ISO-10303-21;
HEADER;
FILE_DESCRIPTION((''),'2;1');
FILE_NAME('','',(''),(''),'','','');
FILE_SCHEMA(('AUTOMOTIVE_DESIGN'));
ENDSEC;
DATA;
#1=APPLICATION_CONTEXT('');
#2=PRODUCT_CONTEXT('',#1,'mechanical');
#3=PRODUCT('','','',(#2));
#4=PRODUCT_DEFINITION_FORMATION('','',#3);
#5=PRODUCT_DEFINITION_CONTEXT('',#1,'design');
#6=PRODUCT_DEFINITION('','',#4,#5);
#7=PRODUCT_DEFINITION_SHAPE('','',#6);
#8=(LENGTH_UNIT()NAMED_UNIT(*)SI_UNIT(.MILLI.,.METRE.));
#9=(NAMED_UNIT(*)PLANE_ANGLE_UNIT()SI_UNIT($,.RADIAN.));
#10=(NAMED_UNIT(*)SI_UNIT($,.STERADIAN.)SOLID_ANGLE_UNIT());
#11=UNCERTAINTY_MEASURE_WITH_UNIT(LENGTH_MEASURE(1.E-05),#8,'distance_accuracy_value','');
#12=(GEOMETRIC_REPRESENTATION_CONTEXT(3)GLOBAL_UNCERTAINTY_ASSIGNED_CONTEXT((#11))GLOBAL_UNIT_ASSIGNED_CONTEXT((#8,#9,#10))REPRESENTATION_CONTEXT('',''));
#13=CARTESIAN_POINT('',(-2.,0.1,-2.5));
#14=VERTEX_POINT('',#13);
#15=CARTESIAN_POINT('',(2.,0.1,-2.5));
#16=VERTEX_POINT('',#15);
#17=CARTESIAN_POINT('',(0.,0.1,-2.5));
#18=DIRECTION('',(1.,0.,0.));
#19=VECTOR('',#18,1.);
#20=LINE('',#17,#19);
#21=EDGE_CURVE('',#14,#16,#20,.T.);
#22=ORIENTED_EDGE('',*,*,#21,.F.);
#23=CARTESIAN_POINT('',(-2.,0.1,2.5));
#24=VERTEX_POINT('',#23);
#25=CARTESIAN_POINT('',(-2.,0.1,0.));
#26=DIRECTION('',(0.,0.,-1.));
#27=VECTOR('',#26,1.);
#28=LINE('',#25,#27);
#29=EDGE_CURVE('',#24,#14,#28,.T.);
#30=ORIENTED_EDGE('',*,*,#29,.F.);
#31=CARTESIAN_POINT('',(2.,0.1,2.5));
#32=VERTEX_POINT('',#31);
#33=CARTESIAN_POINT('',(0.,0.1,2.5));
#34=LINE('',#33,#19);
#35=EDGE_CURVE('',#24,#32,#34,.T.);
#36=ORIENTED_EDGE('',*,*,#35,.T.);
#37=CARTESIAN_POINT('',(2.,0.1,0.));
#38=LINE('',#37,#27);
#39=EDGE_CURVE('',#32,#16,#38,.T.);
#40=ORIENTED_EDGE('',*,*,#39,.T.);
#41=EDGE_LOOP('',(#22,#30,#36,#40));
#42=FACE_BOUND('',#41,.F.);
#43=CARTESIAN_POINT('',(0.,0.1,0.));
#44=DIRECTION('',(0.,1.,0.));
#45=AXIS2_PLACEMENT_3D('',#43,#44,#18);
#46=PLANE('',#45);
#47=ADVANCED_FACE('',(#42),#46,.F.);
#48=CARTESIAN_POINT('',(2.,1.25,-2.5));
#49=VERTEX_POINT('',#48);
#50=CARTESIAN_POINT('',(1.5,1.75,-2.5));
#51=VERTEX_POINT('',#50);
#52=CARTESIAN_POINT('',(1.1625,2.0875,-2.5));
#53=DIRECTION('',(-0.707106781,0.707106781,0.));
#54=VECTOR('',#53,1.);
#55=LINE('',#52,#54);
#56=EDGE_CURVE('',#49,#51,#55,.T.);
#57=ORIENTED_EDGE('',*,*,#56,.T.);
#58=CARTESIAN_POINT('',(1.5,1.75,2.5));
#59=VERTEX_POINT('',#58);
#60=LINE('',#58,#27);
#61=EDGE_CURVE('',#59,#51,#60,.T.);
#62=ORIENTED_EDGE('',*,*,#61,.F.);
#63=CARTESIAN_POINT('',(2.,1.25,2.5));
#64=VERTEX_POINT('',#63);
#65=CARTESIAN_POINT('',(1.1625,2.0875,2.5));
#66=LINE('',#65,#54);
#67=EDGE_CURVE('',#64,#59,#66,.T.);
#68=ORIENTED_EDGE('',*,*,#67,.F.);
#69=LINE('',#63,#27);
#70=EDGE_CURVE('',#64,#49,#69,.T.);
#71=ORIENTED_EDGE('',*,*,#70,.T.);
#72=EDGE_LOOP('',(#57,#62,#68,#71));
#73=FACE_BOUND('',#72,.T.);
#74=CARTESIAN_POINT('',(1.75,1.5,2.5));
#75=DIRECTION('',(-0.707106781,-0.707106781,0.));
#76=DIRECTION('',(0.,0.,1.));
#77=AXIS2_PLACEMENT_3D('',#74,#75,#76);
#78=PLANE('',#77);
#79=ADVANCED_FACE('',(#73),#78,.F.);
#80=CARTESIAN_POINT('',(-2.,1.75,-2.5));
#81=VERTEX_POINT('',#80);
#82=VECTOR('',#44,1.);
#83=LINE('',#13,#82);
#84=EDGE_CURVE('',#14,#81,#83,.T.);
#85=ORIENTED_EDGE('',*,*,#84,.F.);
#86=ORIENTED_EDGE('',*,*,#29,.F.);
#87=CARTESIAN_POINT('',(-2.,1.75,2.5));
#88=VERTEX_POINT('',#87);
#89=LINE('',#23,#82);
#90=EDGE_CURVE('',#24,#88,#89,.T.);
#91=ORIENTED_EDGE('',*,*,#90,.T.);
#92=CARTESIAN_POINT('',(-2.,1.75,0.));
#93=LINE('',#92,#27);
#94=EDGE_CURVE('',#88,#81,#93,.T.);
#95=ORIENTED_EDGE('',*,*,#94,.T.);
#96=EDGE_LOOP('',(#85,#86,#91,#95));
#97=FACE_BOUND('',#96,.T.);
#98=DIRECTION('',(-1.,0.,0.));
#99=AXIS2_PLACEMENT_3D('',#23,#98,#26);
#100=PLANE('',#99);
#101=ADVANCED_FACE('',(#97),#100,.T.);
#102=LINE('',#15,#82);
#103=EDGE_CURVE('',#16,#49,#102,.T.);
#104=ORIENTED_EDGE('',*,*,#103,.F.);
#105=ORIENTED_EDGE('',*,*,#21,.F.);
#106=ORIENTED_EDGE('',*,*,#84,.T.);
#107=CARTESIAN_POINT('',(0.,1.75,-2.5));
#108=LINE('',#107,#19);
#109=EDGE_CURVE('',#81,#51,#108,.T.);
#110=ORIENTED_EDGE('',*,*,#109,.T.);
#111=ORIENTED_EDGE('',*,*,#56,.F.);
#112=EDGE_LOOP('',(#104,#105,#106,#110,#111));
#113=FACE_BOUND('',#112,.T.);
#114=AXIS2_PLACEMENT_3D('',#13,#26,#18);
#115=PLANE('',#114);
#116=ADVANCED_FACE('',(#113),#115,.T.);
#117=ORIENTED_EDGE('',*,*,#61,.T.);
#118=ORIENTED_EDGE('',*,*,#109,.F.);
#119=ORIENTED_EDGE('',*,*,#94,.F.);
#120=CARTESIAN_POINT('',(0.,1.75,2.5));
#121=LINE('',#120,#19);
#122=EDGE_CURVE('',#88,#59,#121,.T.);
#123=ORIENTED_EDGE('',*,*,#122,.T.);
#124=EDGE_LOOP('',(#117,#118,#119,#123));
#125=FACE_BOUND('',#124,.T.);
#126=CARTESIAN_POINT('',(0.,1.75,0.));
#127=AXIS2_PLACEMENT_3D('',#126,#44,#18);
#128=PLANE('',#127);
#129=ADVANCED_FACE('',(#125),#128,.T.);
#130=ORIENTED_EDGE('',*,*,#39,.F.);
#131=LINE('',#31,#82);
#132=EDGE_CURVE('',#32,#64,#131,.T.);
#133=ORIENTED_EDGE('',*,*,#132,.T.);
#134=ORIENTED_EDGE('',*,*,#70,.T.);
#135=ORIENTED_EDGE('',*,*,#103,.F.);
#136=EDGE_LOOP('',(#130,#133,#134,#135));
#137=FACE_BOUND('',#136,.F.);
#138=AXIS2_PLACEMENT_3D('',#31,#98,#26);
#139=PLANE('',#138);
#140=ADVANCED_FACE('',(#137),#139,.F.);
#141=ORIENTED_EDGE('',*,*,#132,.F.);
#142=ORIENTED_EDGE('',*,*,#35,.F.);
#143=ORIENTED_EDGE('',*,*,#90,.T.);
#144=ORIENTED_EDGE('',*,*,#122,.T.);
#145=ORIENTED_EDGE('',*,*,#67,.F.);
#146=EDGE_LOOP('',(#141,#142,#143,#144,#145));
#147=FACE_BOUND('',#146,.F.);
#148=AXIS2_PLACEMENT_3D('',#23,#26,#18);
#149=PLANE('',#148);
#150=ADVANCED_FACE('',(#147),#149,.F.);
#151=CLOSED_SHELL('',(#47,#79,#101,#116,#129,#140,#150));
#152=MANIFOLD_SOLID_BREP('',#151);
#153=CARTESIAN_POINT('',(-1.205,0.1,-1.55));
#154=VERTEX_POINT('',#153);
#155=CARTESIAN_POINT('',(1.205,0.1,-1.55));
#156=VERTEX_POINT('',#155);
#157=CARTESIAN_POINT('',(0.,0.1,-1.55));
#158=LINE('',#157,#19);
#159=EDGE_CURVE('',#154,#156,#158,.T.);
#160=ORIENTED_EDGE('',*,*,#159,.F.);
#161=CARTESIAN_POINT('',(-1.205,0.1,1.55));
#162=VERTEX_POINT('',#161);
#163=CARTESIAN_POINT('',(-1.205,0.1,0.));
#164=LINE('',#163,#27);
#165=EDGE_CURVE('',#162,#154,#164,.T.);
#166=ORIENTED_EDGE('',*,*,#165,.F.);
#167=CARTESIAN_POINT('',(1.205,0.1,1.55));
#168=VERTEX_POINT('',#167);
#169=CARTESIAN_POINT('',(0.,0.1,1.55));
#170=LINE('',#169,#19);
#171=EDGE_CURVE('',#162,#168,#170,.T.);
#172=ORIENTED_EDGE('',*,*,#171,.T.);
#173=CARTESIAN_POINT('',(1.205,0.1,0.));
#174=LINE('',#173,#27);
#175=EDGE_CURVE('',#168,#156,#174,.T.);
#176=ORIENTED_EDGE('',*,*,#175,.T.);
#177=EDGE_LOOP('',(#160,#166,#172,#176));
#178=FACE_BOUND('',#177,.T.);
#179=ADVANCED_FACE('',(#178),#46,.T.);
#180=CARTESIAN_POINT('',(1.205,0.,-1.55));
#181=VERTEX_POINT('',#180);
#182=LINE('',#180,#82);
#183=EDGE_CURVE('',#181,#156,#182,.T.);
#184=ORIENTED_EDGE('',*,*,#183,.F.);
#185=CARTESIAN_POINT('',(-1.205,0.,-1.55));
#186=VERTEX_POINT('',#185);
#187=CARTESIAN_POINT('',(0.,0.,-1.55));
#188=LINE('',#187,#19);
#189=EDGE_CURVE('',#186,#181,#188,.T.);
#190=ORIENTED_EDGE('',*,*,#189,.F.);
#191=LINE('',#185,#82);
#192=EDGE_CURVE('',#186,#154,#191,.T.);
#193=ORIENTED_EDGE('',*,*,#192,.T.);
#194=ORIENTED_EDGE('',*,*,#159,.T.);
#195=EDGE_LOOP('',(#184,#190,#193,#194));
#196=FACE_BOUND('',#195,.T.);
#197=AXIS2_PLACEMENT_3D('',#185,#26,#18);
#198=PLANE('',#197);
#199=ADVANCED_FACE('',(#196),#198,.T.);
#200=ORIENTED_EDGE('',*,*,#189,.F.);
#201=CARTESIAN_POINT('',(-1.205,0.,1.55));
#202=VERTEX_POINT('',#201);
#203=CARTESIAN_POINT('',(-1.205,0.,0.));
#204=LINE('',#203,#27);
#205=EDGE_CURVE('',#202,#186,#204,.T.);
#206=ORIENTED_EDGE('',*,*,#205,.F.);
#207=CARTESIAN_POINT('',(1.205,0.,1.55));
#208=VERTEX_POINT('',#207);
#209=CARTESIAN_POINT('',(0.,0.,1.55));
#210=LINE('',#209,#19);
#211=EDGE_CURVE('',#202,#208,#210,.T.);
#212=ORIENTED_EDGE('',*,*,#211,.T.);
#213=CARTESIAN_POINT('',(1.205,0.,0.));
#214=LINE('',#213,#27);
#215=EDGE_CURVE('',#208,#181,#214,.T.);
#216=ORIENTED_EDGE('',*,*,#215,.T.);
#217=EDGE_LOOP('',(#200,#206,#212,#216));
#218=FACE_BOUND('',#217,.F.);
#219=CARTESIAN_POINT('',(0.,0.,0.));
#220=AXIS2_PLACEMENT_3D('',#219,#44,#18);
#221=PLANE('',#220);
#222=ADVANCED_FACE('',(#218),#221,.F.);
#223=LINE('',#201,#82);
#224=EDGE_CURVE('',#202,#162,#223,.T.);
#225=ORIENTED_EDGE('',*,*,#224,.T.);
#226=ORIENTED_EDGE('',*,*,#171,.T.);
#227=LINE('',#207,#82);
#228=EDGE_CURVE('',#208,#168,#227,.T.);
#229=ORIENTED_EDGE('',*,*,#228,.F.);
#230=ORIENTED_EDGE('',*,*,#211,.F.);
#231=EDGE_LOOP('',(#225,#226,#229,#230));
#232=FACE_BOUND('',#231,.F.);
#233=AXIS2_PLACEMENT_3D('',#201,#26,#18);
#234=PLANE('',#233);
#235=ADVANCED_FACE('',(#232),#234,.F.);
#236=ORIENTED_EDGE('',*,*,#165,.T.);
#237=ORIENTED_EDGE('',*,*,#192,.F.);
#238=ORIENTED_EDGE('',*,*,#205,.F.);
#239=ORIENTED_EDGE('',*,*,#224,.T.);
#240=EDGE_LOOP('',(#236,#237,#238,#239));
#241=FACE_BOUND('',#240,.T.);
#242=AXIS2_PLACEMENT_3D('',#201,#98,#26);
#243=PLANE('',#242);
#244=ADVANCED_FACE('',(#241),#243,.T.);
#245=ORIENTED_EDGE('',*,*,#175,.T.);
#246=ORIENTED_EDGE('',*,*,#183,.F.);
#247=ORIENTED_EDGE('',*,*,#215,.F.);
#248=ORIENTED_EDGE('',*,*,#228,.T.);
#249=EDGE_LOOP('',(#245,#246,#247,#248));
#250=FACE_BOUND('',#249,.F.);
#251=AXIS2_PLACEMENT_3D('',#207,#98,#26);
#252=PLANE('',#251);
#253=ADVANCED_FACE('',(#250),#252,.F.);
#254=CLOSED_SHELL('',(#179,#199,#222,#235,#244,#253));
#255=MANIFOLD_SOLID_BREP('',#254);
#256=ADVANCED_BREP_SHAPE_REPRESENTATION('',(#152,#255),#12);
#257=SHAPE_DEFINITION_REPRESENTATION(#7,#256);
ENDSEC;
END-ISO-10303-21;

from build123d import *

# Parameters (mm, degrees)
EXTRUDE_START   = 0.1
SKETCH_1_W      = 4
SKETCH_1_H      = 5
EXTRUDE_1_DEPTH = 1.65
CHAMFER_1_SIZE  = 0.5
SKETCH_2_W      = 2.41
SKETCH_2_H      = 3.1
EXTRUDE_2_DEPTH = 0.1


with BuildPart() as part:
    # Эскиз1 → Бобышка-Вытянуть1 (new body)
    with BuildSketch(Plane(origin=(0, 0, 0), x_dir=(1, 0, 0), z_dir=(0, 1, 0)).offset(EXTRUDE_START)):
        Rectangle(SKETCH_1_W, SKETCH_1_H)
    extrude(amount=EXTRUDE_1_DEPTH)

    # Фаска1
    chamfer_1_edges = [part.edges().sort_by_distance(p)[0] for p in [
        (2, 1.75, 0),
    ]]
    chamfer(chamfer_1_edges, length=CHAMFER_1_SIZE)


with BuildPart() as body_2:
    # Эскиз2 → Бобышка-Вытянуть2 (new body)
    with BuildSketch(Plane(origin=(0, 0, 0), x_dir=(1, 0, 0), z_dir=(0, 1, 0))):
        Rectangle(SKETCH_2_W, SKETCH_2_H)
    extrude(amount=EXTRUDE_2_DEPTH)


solid = Compound([part.part, body_2.part])
